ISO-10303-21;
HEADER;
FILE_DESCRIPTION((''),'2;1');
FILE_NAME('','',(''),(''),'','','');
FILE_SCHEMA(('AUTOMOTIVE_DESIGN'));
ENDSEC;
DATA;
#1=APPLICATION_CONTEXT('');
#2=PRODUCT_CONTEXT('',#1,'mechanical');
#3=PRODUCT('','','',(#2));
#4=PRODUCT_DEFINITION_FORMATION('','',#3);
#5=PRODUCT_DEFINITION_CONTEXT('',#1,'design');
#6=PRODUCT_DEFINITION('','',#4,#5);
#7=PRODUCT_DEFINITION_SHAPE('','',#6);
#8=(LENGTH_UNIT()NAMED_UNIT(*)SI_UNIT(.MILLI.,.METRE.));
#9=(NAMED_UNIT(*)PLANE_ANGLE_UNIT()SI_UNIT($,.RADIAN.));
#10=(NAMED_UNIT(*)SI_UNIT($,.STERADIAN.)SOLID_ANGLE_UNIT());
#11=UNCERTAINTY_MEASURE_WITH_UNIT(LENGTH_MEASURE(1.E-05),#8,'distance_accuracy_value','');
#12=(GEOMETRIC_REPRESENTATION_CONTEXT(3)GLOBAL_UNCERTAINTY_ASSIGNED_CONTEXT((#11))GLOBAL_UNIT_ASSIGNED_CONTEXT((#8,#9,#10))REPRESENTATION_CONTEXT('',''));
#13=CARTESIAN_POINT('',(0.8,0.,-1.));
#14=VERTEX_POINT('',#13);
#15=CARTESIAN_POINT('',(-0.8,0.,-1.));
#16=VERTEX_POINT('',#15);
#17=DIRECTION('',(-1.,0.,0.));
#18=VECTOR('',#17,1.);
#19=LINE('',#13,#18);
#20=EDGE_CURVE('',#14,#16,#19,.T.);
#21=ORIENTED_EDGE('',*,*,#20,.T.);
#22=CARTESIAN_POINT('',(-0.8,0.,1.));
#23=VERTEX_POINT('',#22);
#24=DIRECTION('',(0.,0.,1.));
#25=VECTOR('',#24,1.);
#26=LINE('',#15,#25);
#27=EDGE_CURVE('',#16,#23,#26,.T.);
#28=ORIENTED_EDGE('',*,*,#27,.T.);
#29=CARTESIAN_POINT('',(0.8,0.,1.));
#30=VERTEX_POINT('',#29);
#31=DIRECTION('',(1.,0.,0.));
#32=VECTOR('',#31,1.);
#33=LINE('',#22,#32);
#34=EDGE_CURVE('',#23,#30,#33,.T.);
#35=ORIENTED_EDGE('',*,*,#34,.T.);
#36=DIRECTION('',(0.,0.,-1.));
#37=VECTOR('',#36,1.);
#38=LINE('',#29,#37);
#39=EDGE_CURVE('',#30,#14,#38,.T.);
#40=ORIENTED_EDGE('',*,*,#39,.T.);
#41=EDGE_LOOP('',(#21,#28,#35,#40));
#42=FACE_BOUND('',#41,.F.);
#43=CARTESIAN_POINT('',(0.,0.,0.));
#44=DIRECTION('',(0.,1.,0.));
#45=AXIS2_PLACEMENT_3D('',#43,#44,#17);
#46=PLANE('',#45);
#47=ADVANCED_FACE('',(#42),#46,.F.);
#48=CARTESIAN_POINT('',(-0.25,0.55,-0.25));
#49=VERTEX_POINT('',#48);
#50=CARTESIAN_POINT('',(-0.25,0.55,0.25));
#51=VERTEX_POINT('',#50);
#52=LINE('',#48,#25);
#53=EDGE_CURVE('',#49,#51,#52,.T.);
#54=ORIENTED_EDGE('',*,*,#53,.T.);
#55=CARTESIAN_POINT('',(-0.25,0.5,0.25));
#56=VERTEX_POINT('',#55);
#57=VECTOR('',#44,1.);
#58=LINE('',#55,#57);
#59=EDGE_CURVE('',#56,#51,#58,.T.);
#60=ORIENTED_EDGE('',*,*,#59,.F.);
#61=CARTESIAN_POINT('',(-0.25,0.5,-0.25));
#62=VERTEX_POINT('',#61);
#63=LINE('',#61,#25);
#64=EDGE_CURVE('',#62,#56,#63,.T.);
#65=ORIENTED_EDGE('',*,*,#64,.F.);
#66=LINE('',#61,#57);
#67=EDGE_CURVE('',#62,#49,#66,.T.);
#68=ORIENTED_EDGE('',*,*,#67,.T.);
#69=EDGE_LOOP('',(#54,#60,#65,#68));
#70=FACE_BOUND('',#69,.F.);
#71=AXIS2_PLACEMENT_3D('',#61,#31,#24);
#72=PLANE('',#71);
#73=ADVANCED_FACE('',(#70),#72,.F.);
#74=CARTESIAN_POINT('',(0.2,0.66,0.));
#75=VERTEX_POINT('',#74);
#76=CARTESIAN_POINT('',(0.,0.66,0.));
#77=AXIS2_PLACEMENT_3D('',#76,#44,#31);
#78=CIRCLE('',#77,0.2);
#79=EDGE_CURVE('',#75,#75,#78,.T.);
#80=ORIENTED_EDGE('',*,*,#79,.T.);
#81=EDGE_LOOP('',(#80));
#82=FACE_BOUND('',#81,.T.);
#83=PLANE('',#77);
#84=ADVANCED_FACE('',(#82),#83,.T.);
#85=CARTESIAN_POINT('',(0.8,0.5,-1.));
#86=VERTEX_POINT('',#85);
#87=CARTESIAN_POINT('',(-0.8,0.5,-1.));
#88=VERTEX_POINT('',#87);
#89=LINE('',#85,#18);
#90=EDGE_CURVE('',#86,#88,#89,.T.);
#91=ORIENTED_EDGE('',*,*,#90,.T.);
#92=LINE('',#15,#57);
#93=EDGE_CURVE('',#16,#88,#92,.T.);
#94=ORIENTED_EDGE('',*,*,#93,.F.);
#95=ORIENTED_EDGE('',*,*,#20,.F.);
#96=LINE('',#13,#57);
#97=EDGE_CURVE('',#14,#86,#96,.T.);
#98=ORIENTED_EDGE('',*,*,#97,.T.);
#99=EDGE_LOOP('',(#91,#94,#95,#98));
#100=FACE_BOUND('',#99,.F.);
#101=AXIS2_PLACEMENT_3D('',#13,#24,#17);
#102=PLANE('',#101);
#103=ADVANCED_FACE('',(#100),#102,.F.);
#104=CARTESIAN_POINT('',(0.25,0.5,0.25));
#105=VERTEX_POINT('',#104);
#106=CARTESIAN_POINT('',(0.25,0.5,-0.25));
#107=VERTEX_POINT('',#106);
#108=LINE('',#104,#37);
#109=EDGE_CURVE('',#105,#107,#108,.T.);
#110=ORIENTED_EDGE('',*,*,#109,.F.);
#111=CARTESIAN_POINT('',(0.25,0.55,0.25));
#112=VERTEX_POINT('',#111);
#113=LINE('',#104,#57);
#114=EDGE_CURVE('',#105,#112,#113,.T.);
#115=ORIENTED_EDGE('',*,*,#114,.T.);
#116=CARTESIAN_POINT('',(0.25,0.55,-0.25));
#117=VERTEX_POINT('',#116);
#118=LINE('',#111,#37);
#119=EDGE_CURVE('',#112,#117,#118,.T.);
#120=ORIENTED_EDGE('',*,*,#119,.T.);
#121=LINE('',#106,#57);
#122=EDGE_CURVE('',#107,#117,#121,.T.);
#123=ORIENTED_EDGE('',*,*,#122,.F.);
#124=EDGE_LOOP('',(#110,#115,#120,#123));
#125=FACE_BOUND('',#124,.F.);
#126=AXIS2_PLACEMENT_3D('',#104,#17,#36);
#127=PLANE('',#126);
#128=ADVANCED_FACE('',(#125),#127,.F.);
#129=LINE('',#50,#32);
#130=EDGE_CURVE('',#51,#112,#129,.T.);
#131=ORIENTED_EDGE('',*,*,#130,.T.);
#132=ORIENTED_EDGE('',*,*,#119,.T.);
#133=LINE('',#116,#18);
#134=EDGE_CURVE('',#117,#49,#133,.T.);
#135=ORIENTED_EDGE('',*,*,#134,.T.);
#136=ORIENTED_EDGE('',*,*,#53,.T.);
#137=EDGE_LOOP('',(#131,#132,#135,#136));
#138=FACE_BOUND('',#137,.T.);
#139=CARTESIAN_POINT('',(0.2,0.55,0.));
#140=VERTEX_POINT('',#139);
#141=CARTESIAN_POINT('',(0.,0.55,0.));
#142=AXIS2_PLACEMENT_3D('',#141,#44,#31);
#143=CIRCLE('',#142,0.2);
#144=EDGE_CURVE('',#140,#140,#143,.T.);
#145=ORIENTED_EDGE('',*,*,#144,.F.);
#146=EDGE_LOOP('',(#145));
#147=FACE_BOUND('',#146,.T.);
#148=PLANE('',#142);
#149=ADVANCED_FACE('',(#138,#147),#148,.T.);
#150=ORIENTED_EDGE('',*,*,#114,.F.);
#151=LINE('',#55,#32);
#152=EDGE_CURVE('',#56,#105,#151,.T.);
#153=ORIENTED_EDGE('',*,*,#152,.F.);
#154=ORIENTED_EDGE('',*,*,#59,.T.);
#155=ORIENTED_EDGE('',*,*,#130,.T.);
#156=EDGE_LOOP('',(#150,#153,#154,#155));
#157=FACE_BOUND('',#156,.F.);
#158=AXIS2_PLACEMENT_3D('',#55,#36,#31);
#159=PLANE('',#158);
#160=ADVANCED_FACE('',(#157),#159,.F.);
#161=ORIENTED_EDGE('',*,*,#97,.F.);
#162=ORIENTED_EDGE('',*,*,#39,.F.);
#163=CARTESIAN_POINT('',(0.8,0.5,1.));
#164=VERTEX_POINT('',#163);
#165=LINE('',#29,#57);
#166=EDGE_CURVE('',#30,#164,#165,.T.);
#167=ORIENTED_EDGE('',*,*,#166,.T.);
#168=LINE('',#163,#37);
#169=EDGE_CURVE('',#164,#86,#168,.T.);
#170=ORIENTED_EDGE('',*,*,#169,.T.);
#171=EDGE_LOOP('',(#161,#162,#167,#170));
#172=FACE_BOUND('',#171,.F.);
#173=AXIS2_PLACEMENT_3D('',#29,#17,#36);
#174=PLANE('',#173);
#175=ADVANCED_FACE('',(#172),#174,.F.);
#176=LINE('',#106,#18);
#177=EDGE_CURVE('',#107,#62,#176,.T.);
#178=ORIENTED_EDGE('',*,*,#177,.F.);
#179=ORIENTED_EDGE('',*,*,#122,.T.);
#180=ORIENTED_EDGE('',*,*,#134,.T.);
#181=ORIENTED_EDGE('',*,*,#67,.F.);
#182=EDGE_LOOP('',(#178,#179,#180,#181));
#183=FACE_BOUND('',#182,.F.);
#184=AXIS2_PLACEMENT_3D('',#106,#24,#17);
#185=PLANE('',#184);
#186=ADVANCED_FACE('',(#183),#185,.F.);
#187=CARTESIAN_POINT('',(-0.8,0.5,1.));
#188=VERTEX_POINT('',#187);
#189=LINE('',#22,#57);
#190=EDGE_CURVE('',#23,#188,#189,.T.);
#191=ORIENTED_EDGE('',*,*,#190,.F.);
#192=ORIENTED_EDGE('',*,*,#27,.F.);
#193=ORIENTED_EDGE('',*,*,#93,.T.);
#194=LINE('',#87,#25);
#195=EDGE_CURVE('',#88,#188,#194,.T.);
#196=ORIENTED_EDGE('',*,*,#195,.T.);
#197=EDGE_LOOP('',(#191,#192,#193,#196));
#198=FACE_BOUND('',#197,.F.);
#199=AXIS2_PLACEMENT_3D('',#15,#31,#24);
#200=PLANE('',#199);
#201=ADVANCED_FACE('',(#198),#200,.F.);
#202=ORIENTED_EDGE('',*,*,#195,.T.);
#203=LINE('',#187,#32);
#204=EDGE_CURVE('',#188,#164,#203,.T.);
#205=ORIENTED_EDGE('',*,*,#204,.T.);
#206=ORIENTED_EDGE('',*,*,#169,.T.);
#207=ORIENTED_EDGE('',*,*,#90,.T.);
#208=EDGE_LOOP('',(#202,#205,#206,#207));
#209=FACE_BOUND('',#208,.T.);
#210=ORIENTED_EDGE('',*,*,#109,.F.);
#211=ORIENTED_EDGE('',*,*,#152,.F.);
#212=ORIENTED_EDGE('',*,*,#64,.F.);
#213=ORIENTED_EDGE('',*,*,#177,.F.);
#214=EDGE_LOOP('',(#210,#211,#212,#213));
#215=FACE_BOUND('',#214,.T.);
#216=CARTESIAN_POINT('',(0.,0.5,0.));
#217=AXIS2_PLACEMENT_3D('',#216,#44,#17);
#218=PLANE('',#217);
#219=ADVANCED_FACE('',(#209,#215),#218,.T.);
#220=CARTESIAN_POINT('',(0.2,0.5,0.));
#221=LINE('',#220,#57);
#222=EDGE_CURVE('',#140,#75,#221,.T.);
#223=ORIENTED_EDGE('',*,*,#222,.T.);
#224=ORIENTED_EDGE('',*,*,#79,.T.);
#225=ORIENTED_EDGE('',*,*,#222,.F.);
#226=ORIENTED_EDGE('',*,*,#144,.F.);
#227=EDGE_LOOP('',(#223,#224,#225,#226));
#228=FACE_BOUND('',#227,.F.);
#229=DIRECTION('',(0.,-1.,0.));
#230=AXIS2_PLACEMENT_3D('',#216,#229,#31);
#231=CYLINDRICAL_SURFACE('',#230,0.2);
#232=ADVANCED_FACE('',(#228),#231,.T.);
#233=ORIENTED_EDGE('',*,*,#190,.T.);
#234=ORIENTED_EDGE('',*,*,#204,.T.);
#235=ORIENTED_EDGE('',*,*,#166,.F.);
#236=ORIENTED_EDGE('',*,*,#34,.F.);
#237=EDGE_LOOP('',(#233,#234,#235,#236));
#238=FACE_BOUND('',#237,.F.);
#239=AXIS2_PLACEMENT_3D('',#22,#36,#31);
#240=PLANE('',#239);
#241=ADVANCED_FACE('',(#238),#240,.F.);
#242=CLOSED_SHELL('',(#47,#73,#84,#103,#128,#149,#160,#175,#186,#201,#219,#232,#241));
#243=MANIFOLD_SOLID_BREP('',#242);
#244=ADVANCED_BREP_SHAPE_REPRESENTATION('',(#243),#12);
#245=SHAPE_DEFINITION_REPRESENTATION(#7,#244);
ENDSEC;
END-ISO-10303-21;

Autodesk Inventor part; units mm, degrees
ref_plane "YZ Plane" through (0, 0, 0) normal (1, 0, 0) x (0, 1, 0)
ref_plane "XZ Plane" through (0, 0, 0) normal (0, 1, 0) x (-1, 0, 0)
ref_plane "XY Plane" through (0, 0, 0) normal (0, 0, 1) x (1, 0, 0)
sketch "Sketch1" plane through (0, 0, 0) normal (0, 1, 0) x (-1, 0, 0)
  line L0 (0.8, 1) -> (-0.8, 1)
  line L1 (-0.8, 1) -> (-0.8, -1)
  line L2 (-0.8, -1) -> (0.8, -1)
  line L3 (0.8, -1) -> (0.8, 1)
  line L4 (1.12, 0) -> (-1.12, 0) construction
  line L5 (0, -1.4) -> (0, 1.4) construction
  point P0 (0, 0)
  point P1 (0.8, 0)
  point P2 (0, 1)
  dimension "d0" = 1.6
  dimension "d1" = 2
extrude "Extrusion1" add sketch "Sketch1" along normal blind 0.5
sketch "Sketch2" plane through (0, 0.5, 0) normal (0, 1, 0) x (1, 0, 0)
  circle A0 centre (0, 0) radius 0.2
  line L0 (-0.25, -0.25) -> (0.25, -0.25)
  line L1 (0.25, -0.25) -> (0.25, 0.25)
  line L2 (0.25, 0.25) -> (-0.25, 0.25)
  line L3 (-0.25, 0.25) -> (-0.25, -0.25)
  line L4 (-1.12, 0) -> (1.12, 0) construction
  line L5 (0, 1.4) -> (0, -1.4) construction
  point P0 (-0.25, 0)
  point P1 (0, -0.25)
  dimension "d4" = 0.4
  dimension "d5" = 0.5
  dimension "d6" = 0.5
extrude "Extrusion2" add sketch "Sketch2" along normal blind 0.05
extrude "Extrusion3" add sketch "Sketch2" along normal blind 0.16 contours A0
properties part number "Force_sensor"
